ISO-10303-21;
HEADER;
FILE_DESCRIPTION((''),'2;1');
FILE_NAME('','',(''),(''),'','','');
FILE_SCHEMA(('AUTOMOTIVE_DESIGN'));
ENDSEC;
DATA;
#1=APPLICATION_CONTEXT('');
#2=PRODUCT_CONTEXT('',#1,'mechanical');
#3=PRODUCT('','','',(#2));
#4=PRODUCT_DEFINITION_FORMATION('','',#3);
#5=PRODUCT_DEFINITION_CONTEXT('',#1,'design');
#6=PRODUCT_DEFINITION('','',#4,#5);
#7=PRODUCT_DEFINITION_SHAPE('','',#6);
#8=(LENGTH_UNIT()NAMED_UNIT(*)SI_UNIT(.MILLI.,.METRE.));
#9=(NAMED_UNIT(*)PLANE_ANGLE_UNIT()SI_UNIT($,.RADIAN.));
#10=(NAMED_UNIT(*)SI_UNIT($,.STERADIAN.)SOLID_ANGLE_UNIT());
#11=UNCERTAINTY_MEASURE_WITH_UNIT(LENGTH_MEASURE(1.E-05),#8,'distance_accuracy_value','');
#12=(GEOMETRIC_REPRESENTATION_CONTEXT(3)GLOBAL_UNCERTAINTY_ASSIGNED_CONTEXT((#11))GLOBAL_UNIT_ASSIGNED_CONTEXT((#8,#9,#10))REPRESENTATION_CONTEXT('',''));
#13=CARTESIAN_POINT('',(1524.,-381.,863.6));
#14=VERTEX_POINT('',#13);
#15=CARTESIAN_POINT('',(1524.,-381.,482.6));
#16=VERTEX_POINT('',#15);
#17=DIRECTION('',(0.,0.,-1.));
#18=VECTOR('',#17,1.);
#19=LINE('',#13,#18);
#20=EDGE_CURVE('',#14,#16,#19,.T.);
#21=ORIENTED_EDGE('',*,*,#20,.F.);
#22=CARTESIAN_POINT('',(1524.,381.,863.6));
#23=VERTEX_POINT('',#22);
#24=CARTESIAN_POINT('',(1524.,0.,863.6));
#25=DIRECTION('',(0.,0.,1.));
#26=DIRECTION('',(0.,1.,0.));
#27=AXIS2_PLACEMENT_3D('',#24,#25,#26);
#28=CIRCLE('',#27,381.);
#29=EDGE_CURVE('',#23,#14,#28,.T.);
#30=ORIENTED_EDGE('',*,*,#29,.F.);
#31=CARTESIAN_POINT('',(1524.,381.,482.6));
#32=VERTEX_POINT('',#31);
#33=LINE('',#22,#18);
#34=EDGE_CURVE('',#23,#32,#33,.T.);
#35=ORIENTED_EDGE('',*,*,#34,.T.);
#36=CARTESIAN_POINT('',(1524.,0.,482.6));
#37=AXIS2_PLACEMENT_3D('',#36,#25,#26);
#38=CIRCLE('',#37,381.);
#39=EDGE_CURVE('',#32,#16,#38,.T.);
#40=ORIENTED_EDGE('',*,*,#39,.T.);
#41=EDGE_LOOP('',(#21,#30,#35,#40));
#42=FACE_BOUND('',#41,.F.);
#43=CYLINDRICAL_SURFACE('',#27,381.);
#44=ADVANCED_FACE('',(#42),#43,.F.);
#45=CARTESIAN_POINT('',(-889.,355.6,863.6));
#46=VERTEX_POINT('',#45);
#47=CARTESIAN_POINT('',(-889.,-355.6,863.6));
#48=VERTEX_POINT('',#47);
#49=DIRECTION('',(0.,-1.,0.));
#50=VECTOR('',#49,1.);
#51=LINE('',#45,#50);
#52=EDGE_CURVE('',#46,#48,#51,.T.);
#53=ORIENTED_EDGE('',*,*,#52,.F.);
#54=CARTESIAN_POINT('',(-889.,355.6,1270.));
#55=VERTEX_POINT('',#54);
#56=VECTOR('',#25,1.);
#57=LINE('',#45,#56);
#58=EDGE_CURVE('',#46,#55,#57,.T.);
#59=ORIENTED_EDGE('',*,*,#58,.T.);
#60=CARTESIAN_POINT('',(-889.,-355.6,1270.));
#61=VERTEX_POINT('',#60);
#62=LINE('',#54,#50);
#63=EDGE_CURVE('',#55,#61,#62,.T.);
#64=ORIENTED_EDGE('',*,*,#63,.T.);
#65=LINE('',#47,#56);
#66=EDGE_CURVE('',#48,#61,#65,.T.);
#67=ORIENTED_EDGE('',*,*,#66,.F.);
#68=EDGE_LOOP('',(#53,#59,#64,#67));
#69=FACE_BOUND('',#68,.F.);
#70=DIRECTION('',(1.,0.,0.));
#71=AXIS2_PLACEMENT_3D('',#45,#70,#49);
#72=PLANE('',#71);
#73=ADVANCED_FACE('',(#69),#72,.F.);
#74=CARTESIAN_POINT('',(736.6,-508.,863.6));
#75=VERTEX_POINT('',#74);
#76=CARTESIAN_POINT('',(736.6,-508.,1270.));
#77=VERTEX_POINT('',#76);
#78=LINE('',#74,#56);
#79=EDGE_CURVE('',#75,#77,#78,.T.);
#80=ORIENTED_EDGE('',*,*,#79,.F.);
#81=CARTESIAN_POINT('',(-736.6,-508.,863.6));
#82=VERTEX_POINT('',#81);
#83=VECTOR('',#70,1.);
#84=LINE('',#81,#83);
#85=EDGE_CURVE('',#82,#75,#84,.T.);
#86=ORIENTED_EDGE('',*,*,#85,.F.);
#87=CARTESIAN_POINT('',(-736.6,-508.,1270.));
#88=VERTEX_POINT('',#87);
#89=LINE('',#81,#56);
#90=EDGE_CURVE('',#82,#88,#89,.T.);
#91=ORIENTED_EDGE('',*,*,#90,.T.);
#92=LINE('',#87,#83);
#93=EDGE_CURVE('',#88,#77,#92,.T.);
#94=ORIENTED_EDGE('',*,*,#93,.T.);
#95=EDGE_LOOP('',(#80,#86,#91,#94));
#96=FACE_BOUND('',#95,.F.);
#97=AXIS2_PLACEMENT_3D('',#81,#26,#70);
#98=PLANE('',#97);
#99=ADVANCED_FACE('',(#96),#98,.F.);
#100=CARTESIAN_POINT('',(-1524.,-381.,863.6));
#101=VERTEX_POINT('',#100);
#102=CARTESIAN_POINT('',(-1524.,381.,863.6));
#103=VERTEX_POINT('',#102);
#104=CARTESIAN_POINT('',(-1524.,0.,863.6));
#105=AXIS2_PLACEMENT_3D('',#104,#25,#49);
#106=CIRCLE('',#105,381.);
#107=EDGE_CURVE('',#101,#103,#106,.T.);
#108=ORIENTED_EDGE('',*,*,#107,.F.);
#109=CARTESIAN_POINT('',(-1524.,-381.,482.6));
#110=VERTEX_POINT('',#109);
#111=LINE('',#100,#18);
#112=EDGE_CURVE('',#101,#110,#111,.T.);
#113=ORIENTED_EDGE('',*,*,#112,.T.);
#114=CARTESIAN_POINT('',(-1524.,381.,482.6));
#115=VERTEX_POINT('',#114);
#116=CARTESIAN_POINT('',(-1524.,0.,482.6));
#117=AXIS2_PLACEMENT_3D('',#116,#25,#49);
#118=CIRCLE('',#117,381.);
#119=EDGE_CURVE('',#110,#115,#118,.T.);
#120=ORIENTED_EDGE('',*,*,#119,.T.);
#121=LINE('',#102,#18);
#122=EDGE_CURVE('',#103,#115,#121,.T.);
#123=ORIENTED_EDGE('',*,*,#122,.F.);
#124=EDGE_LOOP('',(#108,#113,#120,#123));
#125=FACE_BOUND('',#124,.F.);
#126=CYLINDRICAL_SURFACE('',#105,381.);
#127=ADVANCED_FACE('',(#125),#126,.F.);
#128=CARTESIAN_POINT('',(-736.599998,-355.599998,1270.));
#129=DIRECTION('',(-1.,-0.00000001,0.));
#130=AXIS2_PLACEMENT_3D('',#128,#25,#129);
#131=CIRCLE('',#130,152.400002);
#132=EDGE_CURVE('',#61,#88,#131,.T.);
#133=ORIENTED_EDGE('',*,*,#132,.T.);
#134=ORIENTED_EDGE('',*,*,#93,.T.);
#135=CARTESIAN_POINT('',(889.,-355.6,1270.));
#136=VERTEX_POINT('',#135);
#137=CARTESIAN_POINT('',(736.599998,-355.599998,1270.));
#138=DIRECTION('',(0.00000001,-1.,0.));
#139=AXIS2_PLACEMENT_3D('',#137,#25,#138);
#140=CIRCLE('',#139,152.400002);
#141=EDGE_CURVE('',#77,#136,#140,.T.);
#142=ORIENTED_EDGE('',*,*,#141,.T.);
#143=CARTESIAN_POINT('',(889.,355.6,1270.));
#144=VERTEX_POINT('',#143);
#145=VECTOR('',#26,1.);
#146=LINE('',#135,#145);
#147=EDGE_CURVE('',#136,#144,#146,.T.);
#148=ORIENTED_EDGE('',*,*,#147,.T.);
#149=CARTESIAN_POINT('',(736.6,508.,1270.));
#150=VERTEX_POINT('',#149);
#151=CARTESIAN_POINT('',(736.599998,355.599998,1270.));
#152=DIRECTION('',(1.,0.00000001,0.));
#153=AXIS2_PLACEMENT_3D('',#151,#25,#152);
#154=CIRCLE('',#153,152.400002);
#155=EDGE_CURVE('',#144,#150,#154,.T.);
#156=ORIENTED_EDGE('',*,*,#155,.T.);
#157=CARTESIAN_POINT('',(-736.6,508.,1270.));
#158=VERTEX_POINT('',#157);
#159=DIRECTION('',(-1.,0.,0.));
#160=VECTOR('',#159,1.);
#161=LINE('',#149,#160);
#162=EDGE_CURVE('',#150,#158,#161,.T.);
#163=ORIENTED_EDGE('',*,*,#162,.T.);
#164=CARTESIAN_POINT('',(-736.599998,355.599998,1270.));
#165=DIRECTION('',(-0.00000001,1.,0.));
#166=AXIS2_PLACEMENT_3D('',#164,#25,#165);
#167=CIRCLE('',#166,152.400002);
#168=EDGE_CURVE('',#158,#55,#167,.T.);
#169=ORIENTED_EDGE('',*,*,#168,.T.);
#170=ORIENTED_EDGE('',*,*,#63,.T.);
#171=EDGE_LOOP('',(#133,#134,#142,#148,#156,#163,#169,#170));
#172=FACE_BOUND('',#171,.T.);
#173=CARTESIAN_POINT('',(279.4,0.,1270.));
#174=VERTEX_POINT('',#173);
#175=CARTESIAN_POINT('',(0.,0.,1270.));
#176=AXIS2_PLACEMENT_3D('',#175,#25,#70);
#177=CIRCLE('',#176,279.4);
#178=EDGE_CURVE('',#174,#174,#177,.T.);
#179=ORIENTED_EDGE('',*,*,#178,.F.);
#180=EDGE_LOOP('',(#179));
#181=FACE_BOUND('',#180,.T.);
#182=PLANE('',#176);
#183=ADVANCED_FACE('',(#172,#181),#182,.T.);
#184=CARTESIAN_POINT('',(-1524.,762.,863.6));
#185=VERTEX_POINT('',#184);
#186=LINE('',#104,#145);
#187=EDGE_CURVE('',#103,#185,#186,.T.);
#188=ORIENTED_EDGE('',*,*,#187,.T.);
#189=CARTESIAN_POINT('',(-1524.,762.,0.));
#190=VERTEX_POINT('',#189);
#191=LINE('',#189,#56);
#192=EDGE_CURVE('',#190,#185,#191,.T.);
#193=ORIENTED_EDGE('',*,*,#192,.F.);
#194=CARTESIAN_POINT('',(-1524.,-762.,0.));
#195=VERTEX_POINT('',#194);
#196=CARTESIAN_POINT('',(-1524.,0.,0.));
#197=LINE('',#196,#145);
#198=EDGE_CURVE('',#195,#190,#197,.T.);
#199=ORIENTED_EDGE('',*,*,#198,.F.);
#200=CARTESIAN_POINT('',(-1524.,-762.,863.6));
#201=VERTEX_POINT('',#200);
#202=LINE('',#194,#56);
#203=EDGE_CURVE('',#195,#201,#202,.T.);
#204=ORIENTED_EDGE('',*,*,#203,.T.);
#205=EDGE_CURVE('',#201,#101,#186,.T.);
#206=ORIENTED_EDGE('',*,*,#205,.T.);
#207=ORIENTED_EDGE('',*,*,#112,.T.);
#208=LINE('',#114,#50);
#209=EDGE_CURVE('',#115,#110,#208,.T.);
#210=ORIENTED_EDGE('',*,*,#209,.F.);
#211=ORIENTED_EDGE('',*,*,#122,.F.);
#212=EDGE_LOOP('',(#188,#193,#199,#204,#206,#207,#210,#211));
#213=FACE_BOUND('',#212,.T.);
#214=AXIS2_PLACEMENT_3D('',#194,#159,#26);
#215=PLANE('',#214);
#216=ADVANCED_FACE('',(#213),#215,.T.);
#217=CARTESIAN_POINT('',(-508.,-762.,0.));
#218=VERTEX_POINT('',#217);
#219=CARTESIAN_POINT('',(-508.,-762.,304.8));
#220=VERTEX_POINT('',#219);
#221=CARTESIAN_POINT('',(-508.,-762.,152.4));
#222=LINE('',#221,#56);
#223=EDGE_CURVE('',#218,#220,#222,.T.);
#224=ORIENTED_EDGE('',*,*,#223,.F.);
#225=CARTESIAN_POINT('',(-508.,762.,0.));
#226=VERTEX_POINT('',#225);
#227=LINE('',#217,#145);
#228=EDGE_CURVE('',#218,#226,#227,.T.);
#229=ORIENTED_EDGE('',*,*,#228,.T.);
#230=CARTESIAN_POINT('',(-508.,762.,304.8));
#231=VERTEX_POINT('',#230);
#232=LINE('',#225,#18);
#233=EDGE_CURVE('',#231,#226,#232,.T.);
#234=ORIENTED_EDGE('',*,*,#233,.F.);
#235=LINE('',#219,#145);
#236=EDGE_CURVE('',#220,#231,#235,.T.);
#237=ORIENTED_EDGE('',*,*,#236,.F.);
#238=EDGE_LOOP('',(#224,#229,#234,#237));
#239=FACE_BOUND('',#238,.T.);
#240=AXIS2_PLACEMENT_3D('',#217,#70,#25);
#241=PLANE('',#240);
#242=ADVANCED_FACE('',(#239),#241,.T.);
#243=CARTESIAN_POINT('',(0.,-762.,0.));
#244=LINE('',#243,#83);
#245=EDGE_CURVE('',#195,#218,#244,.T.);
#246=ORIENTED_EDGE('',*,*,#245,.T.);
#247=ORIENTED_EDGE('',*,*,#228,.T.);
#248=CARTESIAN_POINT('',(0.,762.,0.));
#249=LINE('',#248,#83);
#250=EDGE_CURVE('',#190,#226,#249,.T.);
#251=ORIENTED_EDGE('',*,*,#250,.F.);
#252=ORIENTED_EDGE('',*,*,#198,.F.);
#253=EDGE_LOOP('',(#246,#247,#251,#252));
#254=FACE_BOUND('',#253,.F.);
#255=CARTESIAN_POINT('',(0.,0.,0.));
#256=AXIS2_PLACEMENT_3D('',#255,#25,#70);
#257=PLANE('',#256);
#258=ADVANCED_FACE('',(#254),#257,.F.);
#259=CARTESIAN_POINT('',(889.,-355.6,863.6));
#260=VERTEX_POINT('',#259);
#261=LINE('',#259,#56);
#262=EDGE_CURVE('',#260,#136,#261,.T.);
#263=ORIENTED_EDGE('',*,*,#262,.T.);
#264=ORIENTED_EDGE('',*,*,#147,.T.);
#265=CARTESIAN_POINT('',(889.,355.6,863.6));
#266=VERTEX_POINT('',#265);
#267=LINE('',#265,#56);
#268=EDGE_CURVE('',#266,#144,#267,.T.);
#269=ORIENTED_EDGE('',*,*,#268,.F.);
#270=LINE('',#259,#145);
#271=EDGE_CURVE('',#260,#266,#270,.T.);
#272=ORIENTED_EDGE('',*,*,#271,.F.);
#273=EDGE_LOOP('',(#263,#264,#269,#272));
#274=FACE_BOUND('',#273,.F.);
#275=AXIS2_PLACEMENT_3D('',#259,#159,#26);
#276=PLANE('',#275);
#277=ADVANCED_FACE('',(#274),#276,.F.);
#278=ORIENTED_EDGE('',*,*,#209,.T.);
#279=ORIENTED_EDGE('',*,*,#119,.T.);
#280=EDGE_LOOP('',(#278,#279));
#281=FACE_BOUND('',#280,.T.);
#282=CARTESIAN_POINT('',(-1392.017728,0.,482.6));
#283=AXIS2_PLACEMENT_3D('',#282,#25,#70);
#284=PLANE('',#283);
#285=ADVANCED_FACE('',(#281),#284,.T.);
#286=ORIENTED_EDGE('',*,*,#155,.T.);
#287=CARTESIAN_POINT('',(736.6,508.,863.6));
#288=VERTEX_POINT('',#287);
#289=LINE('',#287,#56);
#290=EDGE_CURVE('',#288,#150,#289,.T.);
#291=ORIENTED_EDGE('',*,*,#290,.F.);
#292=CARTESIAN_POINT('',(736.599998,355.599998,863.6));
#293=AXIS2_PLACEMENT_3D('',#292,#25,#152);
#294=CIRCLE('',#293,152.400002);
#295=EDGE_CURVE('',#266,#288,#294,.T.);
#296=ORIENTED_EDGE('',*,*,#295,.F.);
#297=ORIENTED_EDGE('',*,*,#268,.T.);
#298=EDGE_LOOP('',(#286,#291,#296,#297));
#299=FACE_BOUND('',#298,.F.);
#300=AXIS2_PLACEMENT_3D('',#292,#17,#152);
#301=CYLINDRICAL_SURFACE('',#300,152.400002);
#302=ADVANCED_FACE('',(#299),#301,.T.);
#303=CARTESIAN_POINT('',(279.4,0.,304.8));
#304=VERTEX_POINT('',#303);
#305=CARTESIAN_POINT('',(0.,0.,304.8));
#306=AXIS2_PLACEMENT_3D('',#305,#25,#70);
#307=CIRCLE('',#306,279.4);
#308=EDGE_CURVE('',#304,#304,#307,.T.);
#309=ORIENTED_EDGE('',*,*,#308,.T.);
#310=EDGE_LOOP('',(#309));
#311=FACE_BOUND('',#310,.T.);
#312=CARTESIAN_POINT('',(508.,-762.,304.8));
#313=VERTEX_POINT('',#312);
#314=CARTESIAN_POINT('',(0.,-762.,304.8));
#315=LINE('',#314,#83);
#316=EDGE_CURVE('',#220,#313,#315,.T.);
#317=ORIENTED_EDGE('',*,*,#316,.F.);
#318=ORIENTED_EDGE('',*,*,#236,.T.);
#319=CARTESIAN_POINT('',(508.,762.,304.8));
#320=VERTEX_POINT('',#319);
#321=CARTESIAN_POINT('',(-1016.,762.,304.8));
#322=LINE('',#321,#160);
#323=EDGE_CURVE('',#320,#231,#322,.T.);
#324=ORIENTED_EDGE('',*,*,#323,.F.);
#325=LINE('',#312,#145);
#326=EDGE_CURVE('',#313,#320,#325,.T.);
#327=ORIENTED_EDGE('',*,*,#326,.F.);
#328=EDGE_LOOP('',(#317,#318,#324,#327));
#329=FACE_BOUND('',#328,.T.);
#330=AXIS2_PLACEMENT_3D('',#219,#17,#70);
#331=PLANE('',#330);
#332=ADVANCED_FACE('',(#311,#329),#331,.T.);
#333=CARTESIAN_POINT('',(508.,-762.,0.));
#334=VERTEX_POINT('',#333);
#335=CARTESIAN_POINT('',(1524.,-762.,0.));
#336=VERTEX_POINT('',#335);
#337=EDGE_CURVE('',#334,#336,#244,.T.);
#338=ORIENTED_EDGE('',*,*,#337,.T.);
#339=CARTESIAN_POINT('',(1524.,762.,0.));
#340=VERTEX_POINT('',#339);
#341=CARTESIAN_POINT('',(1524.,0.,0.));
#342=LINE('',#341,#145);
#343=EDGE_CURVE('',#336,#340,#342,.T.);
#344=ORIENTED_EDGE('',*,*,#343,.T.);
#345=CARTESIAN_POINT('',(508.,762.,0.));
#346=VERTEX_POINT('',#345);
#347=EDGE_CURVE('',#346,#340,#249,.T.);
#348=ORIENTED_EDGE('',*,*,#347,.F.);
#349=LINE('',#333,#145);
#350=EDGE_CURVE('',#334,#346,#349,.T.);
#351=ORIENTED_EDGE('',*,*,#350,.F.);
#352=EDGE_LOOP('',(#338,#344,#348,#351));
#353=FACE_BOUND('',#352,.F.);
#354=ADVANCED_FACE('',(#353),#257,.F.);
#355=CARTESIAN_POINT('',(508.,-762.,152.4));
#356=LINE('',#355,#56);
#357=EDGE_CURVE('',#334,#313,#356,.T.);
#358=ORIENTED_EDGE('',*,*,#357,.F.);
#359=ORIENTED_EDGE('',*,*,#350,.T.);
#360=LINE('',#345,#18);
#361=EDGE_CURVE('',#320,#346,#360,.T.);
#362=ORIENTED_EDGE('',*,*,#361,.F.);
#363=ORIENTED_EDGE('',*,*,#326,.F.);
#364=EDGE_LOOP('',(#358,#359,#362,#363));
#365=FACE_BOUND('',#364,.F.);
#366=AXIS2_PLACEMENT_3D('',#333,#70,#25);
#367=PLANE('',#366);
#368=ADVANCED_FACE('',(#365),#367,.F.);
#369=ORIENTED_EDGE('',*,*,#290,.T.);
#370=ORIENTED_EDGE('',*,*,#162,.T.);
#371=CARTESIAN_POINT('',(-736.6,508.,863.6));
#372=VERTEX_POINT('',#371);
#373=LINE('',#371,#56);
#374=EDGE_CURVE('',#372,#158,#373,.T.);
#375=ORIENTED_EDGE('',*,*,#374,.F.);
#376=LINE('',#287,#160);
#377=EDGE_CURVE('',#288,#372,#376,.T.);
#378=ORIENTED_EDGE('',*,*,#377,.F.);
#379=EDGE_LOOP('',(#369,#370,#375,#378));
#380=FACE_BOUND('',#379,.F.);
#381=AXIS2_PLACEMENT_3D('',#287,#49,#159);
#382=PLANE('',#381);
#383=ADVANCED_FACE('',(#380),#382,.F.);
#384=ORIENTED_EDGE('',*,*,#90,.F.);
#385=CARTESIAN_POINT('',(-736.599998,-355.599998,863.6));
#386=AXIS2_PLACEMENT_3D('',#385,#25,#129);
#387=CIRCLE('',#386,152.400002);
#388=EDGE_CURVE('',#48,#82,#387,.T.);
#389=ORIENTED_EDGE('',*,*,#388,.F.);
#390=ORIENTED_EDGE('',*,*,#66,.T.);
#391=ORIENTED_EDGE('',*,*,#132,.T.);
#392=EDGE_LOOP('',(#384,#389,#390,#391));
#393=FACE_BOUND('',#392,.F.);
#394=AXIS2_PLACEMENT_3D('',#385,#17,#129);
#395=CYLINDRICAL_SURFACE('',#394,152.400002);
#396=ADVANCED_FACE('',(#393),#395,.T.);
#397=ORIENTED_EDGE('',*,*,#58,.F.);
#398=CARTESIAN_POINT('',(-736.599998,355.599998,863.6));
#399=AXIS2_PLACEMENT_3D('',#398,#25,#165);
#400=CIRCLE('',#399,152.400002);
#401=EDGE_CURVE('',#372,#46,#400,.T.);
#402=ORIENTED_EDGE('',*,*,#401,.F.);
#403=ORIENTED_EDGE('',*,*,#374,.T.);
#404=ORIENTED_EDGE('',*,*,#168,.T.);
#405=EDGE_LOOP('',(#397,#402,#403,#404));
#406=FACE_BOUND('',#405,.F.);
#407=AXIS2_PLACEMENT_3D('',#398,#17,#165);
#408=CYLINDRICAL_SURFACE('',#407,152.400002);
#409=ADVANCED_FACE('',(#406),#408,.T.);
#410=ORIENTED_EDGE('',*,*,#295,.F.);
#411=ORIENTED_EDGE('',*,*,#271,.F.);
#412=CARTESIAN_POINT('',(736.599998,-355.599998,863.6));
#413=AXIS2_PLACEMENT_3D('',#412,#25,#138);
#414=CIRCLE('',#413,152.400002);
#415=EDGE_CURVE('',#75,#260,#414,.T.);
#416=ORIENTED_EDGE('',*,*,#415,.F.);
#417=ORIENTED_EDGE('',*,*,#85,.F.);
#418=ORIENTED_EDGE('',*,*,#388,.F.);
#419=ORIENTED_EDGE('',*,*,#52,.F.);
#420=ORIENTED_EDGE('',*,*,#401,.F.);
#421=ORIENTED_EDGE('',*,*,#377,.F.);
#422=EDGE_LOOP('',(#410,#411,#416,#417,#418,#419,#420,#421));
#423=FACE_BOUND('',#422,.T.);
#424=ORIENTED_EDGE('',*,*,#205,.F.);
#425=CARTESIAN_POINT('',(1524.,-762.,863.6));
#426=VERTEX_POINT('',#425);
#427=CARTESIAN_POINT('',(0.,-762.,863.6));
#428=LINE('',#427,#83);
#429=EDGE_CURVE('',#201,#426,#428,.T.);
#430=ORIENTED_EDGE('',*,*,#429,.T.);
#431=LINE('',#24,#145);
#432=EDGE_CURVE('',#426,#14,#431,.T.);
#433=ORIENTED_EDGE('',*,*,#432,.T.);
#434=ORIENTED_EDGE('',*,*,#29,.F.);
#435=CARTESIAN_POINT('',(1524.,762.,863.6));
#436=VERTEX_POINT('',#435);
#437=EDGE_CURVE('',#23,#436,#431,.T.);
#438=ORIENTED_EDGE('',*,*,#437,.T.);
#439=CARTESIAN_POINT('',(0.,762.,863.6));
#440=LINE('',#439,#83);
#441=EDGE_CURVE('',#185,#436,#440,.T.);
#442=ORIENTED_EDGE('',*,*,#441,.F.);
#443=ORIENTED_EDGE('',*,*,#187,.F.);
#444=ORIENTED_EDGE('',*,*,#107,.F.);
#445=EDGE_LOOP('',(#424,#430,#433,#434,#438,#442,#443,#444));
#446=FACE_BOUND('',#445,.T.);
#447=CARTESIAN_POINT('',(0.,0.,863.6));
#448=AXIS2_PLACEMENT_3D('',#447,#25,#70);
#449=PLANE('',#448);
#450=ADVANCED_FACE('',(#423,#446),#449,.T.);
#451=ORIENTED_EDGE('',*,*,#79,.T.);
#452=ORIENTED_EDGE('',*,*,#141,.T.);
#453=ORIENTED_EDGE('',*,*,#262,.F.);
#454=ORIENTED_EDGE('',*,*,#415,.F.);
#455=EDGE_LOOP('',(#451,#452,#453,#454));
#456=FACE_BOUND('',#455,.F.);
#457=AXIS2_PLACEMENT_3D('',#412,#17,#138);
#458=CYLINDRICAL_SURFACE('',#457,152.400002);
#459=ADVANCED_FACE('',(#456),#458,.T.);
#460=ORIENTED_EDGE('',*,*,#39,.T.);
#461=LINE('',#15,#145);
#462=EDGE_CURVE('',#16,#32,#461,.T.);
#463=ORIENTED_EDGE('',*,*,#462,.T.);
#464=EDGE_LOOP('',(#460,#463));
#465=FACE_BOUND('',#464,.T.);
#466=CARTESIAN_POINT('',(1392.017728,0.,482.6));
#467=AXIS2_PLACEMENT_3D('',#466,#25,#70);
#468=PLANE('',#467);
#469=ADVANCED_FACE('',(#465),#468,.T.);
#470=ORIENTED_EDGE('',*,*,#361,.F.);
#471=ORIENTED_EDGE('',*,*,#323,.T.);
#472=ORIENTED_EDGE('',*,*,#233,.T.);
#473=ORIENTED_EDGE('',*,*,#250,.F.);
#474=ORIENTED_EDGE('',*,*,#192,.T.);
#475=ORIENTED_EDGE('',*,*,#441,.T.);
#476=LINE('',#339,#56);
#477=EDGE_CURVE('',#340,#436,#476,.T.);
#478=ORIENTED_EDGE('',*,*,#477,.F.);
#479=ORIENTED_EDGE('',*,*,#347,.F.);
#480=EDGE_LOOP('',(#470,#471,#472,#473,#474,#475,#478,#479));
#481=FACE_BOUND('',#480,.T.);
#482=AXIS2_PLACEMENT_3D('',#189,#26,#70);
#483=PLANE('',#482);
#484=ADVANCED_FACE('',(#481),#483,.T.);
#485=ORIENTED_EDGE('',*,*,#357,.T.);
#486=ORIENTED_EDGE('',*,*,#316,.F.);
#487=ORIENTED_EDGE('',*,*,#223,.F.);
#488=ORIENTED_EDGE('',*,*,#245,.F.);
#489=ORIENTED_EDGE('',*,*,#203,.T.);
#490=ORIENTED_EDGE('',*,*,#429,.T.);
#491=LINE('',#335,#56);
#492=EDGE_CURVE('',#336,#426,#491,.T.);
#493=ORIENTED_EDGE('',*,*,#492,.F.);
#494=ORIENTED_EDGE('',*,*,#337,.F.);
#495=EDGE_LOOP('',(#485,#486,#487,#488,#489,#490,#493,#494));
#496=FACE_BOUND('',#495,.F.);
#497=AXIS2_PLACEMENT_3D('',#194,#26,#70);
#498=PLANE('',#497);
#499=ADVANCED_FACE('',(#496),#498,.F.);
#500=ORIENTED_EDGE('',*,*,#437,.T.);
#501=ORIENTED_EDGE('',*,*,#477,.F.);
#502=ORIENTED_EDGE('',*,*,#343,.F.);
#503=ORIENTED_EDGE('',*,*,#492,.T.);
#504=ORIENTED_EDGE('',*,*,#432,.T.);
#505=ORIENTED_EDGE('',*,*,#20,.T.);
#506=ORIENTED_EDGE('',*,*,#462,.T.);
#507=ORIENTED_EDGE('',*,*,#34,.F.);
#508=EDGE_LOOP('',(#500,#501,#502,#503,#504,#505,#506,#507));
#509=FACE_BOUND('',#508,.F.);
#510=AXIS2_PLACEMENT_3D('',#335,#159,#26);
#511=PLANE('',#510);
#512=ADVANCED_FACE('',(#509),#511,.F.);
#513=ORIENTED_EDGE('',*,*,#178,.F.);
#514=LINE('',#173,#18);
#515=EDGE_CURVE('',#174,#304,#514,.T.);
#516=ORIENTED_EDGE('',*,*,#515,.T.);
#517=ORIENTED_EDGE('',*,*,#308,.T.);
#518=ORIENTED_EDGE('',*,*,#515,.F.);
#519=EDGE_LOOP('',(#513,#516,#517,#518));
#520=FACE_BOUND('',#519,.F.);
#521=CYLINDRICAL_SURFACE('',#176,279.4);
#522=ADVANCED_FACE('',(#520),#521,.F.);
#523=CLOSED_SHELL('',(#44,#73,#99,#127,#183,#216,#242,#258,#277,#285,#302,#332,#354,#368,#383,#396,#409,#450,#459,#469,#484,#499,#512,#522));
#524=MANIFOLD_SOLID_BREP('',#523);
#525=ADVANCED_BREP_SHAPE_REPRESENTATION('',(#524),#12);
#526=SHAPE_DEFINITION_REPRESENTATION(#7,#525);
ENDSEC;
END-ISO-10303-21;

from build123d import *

# Parameters (mm, degrees)
F0_W     = 3048
F0_H     = 1524
F1_DEPTH = 863.6
F3_DEPTH = 406.4
F4_R     = 279.4
F5_DEPTH = 1270.001
F7_DEPTH = 381
F8_W     = 1016
F8_H     = 304.8
F9_DEPTH = 1524.001


with BuildPart() as f1:
    # F0 (on Top) → F1 (new body)
    with BuildSketch(Plane.XY):
        Rectangle(F0_W, F0_H)
    extrude(amount=F1_DEPTH)

    # F2 (on face) → F3 (join)
    with BuildSketch(Plane.XY.offset(863.6)):
        with BuildLine():
            Line((-736.6, -508), (736.6, -508))
            ThreePointArc((736.6, -508), (844.363073, -463.363073), (889, -355.6))
            Line((889, -355.6), (889, 355.6))
            ThreePointArc((889, 355.6), (844.363073, 463.363073), (736.6, 508))
            Line((736.6, 508), (-736.6, 508))
            ThreePointArc((-736.6, 508), (-844.363073, 463.363073), (-889, 355.6))
            Line((-889, 355.6), (-889, -355.6))
            ThreePointArc((-889, -355.6), (-844.363073, -463.363073), (-736.6, -508))
        make_face()
    extrude(amount=F3_DEPTH)

    # F4 (on face) → F5 (cut, through all)
    with BuildSketch(Plane.XY.offset(1270)):
        Circle(F4_R)
    extrude(amount=-F5_DEPTH, mode=Mode.SUBTRACT)

    # F6 (on face) → F7 (cut)
    with BuildSketch(Plane.XY.offset(863.6)):
        with BuildLine():
            Line((-1524, 381), (-1524, -381))
            ThreePointArc((-1524, -381), (-1143, 0), (-1524, 381))
        make_face()
        with BuildLine():
            Line((1524, -381), (1524, 381))
            ThreePointArc((1524, 381), (1143, 0), (1524, -381))
        make_face()
    extrude(amount=-F7_DEPTH, mode=Mode.SUBTRACT)

    # F8 (on face) → F9 (cut, through all)
    with BuildSketch(Plane.XZ.offset(762)):
        with Locations((0, 152.4)):
            Rectangle(F8_W, F8_H)
    extrude(amount=-F9_DEPTH, mode=Mode.SUBTRACT)


solid = f1.part
